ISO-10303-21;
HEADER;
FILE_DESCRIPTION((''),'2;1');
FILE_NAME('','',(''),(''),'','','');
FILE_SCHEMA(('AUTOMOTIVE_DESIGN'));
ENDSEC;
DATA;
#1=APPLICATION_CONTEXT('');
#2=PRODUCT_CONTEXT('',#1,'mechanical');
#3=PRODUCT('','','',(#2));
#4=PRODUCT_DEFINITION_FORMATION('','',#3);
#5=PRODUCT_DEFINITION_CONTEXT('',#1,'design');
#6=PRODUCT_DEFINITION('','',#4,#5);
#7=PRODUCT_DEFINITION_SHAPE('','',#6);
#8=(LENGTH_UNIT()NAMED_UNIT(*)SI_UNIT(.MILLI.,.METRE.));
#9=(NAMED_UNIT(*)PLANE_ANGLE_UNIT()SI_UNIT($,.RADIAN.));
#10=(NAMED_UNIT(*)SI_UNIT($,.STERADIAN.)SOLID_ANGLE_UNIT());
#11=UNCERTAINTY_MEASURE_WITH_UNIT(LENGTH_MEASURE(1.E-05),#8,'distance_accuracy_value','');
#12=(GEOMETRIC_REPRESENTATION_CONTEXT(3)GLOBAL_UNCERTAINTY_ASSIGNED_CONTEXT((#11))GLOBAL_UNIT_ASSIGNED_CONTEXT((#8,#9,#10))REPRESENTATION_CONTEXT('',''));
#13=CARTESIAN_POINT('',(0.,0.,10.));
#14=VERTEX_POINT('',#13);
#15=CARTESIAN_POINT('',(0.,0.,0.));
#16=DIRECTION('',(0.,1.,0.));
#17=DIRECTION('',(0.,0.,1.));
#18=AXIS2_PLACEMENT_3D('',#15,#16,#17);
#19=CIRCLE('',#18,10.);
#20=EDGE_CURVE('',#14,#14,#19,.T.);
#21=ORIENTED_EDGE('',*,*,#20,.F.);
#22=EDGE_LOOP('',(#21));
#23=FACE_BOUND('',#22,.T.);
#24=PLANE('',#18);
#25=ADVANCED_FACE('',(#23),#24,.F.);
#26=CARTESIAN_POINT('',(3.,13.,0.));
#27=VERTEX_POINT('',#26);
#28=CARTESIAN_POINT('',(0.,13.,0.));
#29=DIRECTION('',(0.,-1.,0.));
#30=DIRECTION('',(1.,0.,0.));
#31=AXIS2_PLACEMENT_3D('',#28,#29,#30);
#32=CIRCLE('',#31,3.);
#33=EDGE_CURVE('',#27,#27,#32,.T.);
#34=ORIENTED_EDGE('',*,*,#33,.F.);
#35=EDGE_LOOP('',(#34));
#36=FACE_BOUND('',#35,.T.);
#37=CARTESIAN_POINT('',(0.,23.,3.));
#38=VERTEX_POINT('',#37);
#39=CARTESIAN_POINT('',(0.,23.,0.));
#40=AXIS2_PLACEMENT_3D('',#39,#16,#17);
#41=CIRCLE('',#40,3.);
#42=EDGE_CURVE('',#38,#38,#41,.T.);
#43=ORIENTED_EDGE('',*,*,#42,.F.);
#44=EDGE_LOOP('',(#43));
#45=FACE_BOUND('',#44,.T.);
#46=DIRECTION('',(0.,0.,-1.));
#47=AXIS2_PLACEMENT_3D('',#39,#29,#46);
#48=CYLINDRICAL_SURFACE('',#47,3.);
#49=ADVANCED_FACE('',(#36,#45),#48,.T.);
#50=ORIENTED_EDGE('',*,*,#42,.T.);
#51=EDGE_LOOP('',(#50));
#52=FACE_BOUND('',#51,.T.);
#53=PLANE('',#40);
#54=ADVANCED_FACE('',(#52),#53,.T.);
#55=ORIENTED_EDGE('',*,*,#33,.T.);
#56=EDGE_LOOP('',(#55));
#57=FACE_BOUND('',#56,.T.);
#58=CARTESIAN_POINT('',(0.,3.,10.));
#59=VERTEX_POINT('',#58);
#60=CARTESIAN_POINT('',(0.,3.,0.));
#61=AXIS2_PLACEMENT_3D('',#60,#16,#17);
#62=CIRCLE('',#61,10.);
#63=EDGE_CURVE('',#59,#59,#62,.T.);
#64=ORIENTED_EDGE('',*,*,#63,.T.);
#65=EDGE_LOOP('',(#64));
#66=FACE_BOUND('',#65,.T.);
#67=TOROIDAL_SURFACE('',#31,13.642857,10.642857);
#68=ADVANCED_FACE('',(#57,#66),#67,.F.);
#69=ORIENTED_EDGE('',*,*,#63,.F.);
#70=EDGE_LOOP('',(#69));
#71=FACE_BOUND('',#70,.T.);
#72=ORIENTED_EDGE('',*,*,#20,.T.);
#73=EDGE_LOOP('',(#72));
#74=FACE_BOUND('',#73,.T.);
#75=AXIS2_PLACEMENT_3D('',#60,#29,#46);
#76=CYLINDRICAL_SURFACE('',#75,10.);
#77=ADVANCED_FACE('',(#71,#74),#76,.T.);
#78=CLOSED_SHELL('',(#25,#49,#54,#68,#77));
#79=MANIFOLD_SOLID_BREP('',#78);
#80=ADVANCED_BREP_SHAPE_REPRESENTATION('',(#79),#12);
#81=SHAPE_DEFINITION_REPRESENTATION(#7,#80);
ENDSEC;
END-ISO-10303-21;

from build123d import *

# Parameters (mm, degrees)
SKETCH_1_R      = 10
EXTRUDE_1_DEPTH = 3
SKETCH_2_R      = 3
EXTRUDE_2_DEPTH = 20


with BuildPart() as part:
    # 草图1 → 凸台-拉伸1 (new body)
    with BuildSketch(Plane(origin=(0, 0, 0), x_dir=(1, 0, 0), z_dir=(0, 1, 0))):
        with Locations(Location((0, 0, 0), (0, 0, 270))):
            Circle(SKETCH_1_R)
    extrude(amount=EXTRUDE_1_DEPTH)

    # 草图2 → 凸台-拉伸2 (add)
    with BuildSketch(Plane(origin=(0, 3, 0), x_dir=(1, 0, 0), z_dir=(0, 1, 0))):
        with Locations(Location((0, 0, 0), (0, 0, 270))):
            Circle(SKETCH_2_R)
    extrude(amount=EXTRUDE_2_DEPTH)

    # 草图3 → 旋转2 (revolve)
    with BuildSketch(Plane.XY, mode=Mode.PRIVATE) as revolve_2_sk:
        with BuildLine():
            Line((-10, 3), (-3, 3))
            Line((-3, 3), (-3, 13))
            ThreePointArc((-3, 13), (-4.923888846, 6.896722192), (-10, 3))
        make_face()
    revolve(revolve_2_sk.sketch.rotate(Axis((0, -1000, 0), (0, 1, 0)), 180), axis=Axis((0, -1000, 0), (0, 1, 0)))


solid = part.part
